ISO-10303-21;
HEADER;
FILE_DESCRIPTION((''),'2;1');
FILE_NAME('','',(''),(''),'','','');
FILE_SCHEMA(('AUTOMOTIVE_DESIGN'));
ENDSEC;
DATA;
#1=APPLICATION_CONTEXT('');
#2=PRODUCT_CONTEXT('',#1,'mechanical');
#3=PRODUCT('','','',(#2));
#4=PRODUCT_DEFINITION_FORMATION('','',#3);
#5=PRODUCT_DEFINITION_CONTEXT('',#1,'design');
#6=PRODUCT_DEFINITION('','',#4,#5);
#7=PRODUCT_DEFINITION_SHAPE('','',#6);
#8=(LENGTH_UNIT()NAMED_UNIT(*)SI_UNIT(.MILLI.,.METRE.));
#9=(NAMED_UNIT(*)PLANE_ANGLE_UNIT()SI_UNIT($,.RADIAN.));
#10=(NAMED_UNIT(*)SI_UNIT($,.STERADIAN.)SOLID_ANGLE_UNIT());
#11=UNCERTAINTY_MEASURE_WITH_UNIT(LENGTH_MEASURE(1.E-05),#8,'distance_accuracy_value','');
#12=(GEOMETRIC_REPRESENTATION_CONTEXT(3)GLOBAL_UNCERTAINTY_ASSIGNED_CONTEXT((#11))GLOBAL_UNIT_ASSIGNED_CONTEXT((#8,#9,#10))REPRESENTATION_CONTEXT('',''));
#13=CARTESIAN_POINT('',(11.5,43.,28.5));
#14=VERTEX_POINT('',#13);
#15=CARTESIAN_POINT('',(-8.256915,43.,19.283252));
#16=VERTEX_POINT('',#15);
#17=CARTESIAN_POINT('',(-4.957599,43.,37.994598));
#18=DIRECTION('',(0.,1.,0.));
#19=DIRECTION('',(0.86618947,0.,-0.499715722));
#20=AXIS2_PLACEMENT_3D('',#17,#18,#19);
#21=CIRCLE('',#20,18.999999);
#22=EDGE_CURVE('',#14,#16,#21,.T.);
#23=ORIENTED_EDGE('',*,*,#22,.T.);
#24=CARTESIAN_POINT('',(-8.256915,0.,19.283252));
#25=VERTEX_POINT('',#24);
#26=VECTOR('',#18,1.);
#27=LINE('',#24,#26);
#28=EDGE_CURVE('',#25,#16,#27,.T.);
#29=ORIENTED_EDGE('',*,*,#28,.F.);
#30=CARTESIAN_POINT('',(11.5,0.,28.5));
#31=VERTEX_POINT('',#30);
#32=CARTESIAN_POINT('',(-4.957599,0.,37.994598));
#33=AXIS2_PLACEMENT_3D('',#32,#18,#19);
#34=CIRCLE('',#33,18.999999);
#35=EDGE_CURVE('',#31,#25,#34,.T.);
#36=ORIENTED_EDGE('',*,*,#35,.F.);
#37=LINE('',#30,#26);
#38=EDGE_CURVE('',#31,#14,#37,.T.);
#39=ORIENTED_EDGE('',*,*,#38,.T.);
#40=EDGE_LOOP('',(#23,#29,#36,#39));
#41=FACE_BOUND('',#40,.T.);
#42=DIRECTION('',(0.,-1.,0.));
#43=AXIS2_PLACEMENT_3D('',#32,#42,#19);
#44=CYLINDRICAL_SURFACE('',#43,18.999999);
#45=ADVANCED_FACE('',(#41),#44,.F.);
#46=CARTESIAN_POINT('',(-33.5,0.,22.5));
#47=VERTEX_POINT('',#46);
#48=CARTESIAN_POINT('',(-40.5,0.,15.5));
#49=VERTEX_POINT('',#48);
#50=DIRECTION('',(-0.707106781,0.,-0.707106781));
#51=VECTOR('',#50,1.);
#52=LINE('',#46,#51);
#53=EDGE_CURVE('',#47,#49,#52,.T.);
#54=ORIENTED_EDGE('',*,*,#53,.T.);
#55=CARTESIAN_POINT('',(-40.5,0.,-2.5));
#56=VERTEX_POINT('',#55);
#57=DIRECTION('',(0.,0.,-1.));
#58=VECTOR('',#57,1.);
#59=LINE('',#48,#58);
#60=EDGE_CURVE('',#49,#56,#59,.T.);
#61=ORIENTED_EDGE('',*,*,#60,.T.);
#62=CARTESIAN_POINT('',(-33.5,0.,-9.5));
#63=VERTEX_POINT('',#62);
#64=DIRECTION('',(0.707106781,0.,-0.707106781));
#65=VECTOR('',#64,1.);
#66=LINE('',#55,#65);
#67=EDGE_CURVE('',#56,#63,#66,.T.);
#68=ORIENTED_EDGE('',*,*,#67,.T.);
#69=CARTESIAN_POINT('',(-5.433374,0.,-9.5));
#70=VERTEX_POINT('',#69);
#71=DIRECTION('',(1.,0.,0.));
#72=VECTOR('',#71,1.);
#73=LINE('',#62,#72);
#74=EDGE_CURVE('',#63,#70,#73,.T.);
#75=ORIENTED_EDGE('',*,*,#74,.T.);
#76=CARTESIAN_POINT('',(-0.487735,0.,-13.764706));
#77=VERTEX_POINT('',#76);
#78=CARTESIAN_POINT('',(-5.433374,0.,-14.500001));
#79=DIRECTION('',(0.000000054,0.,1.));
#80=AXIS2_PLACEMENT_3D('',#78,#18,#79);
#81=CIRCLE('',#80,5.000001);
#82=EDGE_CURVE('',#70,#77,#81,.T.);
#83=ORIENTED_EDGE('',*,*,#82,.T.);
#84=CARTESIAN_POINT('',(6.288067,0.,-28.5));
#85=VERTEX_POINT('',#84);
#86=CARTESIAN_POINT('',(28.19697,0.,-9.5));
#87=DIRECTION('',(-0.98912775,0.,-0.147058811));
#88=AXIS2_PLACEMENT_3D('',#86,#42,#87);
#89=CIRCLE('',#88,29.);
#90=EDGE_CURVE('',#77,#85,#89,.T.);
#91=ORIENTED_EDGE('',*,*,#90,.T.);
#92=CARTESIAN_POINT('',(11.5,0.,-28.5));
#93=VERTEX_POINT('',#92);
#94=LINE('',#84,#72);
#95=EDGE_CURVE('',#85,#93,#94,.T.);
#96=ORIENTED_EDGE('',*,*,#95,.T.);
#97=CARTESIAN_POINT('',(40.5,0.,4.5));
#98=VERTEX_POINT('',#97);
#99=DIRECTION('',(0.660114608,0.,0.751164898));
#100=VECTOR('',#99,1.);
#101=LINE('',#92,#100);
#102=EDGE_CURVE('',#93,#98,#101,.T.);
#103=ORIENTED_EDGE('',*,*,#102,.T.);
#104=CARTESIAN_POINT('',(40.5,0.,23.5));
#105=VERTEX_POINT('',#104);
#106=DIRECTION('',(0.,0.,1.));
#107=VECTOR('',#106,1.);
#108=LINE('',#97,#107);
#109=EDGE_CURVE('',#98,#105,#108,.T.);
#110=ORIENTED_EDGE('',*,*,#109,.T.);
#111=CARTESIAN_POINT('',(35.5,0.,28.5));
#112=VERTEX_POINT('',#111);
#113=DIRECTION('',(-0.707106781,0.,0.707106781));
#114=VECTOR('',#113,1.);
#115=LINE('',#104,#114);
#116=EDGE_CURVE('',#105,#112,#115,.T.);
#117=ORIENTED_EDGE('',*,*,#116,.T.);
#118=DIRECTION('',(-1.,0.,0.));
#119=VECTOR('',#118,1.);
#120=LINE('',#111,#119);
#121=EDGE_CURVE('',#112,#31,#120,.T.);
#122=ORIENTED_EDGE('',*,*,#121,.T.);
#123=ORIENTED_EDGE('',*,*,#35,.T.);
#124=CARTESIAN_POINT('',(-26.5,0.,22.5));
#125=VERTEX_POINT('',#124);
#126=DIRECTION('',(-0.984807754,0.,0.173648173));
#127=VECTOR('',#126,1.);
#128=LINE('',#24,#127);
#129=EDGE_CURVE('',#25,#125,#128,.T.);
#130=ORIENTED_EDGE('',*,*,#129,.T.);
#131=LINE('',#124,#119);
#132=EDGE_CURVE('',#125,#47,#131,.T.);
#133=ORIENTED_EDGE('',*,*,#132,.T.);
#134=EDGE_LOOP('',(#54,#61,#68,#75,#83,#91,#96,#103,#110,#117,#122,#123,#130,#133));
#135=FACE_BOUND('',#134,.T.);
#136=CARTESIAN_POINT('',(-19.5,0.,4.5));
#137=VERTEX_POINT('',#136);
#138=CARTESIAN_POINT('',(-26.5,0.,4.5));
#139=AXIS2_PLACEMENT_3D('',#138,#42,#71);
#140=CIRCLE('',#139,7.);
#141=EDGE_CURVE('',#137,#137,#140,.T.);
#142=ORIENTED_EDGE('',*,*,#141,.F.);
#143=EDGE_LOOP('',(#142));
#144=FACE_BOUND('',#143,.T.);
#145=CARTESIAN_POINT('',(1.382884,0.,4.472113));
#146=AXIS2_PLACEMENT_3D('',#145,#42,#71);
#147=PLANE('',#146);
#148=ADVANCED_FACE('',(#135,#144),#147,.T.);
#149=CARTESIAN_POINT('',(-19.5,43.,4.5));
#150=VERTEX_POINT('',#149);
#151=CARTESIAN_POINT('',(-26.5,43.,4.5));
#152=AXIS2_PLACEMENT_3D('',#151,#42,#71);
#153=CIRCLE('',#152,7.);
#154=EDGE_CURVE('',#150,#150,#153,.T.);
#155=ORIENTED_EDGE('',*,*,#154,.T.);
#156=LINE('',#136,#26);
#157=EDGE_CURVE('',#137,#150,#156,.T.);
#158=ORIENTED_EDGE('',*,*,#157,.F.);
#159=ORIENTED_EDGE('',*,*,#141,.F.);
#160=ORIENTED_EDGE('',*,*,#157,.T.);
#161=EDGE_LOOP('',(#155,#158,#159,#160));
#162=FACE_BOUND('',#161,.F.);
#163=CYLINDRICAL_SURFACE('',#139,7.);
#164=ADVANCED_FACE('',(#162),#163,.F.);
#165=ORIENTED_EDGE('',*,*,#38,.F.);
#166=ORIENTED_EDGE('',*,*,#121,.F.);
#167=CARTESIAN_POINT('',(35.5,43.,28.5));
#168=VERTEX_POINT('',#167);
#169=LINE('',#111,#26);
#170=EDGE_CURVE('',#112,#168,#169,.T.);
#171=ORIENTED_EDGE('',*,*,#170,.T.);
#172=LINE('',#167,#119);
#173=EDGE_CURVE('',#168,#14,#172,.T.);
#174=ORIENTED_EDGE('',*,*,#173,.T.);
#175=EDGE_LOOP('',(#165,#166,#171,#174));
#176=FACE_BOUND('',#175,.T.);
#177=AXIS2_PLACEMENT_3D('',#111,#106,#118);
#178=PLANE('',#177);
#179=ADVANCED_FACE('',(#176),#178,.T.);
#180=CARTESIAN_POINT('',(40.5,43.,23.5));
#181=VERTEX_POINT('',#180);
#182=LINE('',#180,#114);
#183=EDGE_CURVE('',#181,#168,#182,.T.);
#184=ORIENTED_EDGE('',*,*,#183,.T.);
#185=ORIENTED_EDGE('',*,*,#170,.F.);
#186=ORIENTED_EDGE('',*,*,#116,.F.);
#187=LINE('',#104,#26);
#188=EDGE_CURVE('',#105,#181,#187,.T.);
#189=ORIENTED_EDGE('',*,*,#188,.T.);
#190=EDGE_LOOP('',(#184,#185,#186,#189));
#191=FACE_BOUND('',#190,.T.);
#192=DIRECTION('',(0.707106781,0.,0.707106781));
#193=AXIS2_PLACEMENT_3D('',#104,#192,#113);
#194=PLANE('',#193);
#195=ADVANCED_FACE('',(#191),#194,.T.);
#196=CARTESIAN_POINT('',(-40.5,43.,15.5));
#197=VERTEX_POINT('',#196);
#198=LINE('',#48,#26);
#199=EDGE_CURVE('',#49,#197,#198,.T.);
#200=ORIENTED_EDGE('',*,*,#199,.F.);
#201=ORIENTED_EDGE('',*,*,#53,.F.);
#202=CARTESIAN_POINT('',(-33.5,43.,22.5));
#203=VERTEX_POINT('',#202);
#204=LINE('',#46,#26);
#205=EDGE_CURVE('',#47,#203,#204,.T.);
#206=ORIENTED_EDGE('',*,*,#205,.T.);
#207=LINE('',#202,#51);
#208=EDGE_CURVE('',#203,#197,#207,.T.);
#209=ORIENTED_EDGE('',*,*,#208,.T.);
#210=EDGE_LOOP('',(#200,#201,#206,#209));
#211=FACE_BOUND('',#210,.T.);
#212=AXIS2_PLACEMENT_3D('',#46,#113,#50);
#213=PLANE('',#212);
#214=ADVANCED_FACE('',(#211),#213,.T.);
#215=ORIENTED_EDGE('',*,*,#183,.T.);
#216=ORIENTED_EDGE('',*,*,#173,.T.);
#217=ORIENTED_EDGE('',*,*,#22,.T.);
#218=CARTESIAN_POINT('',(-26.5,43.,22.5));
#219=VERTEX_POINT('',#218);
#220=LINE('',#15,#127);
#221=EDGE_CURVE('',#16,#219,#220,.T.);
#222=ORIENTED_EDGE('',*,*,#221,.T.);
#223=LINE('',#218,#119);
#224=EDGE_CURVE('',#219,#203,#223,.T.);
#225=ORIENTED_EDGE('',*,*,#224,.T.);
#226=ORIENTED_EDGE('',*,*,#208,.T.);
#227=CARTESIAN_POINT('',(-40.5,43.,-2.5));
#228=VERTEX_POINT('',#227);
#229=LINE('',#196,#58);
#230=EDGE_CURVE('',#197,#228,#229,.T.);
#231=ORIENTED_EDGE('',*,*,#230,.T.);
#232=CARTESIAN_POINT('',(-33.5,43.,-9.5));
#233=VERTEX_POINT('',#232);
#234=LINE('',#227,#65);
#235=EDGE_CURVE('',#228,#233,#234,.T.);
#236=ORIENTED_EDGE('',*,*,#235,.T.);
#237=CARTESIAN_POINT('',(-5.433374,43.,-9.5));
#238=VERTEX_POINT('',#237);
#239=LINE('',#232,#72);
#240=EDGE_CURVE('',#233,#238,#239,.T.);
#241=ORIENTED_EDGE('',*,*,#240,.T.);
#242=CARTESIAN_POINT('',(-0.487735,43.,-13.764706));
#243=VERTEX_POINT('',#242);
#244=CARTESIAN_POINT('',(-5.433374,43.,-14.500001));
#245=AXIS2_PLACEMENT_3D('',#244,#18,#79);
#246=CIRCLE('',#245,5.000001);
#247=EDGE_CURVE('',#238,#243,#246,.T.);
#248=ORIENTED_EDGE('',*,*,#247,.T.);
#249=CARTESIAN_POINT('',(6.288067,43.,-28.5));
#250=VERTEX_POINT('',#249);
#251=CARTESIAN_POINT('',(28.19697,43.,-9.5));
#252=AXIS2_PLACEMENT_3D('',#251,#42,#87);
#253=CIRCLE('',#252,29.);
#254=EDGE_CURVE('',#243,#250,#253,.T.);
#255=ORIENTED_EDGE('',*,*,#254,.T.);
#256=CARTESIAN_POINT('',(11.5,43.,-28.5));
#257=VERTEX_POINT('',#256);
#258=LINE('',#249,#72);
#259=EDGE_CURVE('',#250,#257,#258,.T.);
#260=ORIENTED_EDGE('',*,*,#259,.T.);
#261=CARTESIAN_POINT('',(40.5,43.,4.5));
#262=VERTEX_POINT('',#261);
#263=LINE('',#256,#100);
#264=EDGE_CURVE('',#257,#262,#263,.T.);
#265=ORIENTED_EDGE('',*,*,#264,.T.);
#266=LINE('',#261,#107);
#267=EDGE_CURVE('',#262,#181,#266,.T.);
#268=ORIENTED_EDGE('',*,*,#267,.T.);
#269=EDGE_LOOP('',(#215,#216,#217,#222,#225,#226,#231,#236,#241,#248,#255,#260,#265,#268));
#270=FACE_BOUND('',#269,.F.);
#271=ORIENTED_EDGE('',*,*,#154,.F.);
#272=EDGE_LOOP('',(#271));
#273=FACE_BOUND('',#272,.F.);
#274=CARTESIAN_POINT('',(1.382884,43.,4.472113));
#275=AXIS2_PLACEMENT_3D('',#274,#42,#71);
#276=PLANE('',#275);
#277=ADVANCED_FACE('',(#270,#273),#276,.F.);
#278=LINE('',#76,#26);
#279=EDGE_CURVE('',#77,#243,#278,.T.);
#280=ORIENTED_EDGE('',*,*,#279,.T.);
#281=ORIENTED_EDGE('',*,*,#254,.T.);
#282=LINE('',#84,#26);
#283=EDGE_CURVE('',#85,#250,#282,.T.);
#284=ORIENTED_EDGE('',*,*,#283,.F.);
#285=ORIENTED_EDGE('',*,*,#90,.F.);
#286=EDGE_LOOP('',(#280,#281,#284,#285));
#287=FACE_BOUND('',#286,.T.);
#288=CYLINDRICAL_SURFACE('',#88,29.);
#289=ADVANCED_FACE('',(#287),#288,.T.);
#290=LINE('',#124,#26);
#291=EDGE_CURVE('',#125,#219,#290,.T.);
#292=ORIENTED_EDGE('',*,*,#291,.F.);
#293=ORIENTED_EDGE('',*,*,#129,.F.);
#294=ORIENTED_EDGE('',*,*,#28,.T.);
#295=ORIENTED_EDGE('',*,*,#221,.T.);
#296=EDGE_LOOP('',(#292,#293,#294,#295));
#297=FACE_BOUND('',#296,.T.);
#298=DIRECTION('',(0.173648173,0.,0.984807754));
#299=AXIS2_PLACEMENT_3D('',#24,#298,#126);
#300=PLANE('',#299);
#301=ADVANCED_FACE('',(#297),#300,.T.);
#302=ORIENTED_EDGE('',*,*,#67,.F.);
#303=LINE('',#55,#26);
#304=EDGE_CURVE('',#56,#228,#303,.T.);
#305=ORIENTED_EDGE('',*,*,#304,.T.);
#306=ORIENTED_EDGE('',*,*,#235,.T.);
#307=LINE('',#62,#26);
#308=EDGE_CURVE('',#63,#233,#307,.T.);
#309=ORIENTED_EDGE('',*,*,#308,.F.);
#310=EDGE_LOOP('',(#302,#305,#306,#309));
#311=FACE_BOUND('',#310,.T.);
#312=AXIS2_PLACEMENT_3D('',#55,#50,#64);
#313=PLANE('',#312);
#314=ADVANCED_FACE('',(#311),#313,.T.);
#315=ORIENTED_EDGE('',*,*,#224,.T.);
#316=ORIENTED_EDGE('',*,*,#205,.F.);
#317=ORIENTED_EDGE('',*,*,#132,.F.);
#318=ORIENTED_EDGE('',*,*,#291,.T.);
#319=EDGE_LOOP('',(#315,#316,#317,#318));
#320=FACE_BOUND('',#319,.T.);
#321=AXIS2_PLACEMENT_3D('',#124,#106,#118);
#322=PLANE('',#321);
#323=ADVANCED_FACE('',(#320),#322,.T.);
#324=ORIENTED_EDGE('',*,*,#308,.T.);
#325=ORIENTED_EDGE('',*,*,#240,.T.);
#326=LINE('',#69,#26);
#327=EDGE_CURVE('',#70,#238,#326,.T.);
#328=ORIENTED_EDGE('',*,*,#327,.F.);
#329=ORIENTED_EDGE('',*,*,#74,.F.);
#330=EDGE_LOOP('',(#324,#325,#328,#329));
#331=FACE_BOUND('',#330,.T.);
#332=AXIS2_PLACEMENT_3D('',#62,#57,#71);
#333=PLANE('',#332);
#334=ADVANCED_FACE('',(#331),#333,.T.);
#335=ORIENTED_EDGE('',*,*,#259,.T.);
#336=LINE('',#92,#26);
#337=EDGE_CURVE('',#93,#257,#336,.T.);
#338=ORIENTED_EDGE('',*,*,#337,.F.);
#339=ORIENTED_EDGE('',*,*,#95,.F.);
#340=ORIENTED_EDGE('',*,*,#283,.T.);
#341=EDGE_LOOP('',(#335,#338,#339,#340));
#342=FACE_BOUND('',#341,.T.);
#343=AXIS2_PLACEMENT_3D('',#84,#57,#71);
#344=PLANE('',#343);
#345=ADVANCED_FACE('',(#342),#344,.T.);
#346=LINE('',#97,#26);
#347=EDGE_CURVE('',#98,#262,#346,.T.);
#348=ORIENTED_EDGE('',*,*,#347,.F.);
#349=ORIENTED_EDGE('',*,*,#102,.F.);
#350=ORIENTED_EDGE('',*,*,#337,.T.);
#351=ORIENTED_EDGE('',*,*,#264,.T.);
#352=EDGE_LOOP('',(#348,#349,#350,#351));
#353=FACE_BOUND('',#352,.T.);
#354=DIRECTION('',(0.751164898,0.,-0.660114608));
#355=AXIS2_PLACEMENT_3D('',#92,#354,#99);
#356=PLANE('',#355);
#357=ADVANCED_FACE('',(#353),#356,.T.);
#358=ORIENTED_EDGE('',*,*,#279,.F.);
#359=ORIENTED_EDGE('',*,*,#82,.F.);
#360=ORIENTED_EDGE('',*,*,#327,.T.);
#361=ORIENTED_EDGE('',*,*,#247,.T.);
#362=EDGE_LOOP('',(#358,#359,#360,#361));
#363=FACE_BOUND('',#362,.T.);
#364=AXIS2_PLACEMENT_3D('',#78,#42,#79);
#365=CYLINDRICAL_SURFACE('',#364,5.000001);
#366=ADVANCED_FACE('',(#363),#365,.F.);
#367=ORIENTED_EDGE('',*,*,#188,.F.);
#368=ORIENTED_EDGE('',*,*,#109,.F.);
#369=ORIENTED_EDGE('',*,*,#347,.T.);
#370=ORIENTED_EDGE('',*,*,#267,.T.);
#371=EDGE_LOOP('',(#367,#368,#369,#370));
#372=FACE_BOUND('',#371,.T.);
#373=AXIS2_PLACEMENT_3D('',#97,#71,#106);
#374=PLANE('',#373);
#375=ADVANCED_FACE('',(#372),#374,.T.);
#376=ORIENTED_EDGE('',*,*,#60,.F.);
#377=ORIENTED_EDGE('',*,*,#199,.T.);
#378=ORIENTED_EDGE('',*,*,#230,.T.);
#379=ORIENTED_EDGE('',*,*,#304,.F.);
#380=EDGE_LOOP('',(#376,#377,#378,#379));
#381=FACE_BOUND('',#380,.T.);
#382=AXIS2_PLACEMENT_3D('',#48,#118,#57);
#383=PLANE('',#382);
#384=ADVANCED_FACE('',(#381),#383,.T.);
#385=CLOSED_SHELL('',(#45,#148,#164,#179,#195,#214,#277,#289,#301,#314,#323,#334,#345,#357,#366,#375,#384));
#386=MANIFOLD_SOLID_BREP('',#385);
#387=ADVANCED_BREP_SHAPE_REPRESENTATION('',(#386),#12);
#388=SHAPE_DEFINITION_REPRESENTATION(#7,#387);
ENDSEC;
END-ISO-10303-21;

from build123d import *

# Parameters (mm, degrees)
F0_R     = 7
F1_DEPTH = 43


with BuildPart() as f1:
    # F0 (on Front) → F1 (new body)
    with BuildSketch(Plane.XZ):
        with BuildLine():
            Line((40.5, 23.5), (35.5, 28.5))
            Line((35.5, 28.5), (11.5, 28.5))
            ThreePointArc((11.5, 28.5), (3.074973, 20.776069), (-8.256915, 19.283252))
            Line((-8.256915, 19.283252), (-26.5, 22.5))
            Line((-26.5, 22.5), (-33.5, 22.5))
            Line((-33.5, 22.5), (-40.5, 15.5))
            Line((-40.5, 15.5), (-40.5, -2.5))
            Line((-40.5, -2.5), (-33.5, -9.5))
            Line((-33.5, -9.5), (-5.433374, -9.5))
            ThreePointArc((-5.433374, -9.5), (-2.168138, -10.713414), (-0.487735, -13.764706))
            ThreePointArc((-0.487735, -13.764706), (1.849095, -21.615672), (6.288067, -28.5))
            Line((6.288067, -28.5), (11.5, -28.5))
            Line((11.5, -28.5), (40.5, 4.5))
            Line((40.5, 4.5), (40.5, 23.5))
        make_face()
        with Locations((-26.5, 4.5)):
            Circle(F0_R, mode=Mode.SUBTRACT)
    extrude(amount=-F1_DEPTH)


solid = f1.part
